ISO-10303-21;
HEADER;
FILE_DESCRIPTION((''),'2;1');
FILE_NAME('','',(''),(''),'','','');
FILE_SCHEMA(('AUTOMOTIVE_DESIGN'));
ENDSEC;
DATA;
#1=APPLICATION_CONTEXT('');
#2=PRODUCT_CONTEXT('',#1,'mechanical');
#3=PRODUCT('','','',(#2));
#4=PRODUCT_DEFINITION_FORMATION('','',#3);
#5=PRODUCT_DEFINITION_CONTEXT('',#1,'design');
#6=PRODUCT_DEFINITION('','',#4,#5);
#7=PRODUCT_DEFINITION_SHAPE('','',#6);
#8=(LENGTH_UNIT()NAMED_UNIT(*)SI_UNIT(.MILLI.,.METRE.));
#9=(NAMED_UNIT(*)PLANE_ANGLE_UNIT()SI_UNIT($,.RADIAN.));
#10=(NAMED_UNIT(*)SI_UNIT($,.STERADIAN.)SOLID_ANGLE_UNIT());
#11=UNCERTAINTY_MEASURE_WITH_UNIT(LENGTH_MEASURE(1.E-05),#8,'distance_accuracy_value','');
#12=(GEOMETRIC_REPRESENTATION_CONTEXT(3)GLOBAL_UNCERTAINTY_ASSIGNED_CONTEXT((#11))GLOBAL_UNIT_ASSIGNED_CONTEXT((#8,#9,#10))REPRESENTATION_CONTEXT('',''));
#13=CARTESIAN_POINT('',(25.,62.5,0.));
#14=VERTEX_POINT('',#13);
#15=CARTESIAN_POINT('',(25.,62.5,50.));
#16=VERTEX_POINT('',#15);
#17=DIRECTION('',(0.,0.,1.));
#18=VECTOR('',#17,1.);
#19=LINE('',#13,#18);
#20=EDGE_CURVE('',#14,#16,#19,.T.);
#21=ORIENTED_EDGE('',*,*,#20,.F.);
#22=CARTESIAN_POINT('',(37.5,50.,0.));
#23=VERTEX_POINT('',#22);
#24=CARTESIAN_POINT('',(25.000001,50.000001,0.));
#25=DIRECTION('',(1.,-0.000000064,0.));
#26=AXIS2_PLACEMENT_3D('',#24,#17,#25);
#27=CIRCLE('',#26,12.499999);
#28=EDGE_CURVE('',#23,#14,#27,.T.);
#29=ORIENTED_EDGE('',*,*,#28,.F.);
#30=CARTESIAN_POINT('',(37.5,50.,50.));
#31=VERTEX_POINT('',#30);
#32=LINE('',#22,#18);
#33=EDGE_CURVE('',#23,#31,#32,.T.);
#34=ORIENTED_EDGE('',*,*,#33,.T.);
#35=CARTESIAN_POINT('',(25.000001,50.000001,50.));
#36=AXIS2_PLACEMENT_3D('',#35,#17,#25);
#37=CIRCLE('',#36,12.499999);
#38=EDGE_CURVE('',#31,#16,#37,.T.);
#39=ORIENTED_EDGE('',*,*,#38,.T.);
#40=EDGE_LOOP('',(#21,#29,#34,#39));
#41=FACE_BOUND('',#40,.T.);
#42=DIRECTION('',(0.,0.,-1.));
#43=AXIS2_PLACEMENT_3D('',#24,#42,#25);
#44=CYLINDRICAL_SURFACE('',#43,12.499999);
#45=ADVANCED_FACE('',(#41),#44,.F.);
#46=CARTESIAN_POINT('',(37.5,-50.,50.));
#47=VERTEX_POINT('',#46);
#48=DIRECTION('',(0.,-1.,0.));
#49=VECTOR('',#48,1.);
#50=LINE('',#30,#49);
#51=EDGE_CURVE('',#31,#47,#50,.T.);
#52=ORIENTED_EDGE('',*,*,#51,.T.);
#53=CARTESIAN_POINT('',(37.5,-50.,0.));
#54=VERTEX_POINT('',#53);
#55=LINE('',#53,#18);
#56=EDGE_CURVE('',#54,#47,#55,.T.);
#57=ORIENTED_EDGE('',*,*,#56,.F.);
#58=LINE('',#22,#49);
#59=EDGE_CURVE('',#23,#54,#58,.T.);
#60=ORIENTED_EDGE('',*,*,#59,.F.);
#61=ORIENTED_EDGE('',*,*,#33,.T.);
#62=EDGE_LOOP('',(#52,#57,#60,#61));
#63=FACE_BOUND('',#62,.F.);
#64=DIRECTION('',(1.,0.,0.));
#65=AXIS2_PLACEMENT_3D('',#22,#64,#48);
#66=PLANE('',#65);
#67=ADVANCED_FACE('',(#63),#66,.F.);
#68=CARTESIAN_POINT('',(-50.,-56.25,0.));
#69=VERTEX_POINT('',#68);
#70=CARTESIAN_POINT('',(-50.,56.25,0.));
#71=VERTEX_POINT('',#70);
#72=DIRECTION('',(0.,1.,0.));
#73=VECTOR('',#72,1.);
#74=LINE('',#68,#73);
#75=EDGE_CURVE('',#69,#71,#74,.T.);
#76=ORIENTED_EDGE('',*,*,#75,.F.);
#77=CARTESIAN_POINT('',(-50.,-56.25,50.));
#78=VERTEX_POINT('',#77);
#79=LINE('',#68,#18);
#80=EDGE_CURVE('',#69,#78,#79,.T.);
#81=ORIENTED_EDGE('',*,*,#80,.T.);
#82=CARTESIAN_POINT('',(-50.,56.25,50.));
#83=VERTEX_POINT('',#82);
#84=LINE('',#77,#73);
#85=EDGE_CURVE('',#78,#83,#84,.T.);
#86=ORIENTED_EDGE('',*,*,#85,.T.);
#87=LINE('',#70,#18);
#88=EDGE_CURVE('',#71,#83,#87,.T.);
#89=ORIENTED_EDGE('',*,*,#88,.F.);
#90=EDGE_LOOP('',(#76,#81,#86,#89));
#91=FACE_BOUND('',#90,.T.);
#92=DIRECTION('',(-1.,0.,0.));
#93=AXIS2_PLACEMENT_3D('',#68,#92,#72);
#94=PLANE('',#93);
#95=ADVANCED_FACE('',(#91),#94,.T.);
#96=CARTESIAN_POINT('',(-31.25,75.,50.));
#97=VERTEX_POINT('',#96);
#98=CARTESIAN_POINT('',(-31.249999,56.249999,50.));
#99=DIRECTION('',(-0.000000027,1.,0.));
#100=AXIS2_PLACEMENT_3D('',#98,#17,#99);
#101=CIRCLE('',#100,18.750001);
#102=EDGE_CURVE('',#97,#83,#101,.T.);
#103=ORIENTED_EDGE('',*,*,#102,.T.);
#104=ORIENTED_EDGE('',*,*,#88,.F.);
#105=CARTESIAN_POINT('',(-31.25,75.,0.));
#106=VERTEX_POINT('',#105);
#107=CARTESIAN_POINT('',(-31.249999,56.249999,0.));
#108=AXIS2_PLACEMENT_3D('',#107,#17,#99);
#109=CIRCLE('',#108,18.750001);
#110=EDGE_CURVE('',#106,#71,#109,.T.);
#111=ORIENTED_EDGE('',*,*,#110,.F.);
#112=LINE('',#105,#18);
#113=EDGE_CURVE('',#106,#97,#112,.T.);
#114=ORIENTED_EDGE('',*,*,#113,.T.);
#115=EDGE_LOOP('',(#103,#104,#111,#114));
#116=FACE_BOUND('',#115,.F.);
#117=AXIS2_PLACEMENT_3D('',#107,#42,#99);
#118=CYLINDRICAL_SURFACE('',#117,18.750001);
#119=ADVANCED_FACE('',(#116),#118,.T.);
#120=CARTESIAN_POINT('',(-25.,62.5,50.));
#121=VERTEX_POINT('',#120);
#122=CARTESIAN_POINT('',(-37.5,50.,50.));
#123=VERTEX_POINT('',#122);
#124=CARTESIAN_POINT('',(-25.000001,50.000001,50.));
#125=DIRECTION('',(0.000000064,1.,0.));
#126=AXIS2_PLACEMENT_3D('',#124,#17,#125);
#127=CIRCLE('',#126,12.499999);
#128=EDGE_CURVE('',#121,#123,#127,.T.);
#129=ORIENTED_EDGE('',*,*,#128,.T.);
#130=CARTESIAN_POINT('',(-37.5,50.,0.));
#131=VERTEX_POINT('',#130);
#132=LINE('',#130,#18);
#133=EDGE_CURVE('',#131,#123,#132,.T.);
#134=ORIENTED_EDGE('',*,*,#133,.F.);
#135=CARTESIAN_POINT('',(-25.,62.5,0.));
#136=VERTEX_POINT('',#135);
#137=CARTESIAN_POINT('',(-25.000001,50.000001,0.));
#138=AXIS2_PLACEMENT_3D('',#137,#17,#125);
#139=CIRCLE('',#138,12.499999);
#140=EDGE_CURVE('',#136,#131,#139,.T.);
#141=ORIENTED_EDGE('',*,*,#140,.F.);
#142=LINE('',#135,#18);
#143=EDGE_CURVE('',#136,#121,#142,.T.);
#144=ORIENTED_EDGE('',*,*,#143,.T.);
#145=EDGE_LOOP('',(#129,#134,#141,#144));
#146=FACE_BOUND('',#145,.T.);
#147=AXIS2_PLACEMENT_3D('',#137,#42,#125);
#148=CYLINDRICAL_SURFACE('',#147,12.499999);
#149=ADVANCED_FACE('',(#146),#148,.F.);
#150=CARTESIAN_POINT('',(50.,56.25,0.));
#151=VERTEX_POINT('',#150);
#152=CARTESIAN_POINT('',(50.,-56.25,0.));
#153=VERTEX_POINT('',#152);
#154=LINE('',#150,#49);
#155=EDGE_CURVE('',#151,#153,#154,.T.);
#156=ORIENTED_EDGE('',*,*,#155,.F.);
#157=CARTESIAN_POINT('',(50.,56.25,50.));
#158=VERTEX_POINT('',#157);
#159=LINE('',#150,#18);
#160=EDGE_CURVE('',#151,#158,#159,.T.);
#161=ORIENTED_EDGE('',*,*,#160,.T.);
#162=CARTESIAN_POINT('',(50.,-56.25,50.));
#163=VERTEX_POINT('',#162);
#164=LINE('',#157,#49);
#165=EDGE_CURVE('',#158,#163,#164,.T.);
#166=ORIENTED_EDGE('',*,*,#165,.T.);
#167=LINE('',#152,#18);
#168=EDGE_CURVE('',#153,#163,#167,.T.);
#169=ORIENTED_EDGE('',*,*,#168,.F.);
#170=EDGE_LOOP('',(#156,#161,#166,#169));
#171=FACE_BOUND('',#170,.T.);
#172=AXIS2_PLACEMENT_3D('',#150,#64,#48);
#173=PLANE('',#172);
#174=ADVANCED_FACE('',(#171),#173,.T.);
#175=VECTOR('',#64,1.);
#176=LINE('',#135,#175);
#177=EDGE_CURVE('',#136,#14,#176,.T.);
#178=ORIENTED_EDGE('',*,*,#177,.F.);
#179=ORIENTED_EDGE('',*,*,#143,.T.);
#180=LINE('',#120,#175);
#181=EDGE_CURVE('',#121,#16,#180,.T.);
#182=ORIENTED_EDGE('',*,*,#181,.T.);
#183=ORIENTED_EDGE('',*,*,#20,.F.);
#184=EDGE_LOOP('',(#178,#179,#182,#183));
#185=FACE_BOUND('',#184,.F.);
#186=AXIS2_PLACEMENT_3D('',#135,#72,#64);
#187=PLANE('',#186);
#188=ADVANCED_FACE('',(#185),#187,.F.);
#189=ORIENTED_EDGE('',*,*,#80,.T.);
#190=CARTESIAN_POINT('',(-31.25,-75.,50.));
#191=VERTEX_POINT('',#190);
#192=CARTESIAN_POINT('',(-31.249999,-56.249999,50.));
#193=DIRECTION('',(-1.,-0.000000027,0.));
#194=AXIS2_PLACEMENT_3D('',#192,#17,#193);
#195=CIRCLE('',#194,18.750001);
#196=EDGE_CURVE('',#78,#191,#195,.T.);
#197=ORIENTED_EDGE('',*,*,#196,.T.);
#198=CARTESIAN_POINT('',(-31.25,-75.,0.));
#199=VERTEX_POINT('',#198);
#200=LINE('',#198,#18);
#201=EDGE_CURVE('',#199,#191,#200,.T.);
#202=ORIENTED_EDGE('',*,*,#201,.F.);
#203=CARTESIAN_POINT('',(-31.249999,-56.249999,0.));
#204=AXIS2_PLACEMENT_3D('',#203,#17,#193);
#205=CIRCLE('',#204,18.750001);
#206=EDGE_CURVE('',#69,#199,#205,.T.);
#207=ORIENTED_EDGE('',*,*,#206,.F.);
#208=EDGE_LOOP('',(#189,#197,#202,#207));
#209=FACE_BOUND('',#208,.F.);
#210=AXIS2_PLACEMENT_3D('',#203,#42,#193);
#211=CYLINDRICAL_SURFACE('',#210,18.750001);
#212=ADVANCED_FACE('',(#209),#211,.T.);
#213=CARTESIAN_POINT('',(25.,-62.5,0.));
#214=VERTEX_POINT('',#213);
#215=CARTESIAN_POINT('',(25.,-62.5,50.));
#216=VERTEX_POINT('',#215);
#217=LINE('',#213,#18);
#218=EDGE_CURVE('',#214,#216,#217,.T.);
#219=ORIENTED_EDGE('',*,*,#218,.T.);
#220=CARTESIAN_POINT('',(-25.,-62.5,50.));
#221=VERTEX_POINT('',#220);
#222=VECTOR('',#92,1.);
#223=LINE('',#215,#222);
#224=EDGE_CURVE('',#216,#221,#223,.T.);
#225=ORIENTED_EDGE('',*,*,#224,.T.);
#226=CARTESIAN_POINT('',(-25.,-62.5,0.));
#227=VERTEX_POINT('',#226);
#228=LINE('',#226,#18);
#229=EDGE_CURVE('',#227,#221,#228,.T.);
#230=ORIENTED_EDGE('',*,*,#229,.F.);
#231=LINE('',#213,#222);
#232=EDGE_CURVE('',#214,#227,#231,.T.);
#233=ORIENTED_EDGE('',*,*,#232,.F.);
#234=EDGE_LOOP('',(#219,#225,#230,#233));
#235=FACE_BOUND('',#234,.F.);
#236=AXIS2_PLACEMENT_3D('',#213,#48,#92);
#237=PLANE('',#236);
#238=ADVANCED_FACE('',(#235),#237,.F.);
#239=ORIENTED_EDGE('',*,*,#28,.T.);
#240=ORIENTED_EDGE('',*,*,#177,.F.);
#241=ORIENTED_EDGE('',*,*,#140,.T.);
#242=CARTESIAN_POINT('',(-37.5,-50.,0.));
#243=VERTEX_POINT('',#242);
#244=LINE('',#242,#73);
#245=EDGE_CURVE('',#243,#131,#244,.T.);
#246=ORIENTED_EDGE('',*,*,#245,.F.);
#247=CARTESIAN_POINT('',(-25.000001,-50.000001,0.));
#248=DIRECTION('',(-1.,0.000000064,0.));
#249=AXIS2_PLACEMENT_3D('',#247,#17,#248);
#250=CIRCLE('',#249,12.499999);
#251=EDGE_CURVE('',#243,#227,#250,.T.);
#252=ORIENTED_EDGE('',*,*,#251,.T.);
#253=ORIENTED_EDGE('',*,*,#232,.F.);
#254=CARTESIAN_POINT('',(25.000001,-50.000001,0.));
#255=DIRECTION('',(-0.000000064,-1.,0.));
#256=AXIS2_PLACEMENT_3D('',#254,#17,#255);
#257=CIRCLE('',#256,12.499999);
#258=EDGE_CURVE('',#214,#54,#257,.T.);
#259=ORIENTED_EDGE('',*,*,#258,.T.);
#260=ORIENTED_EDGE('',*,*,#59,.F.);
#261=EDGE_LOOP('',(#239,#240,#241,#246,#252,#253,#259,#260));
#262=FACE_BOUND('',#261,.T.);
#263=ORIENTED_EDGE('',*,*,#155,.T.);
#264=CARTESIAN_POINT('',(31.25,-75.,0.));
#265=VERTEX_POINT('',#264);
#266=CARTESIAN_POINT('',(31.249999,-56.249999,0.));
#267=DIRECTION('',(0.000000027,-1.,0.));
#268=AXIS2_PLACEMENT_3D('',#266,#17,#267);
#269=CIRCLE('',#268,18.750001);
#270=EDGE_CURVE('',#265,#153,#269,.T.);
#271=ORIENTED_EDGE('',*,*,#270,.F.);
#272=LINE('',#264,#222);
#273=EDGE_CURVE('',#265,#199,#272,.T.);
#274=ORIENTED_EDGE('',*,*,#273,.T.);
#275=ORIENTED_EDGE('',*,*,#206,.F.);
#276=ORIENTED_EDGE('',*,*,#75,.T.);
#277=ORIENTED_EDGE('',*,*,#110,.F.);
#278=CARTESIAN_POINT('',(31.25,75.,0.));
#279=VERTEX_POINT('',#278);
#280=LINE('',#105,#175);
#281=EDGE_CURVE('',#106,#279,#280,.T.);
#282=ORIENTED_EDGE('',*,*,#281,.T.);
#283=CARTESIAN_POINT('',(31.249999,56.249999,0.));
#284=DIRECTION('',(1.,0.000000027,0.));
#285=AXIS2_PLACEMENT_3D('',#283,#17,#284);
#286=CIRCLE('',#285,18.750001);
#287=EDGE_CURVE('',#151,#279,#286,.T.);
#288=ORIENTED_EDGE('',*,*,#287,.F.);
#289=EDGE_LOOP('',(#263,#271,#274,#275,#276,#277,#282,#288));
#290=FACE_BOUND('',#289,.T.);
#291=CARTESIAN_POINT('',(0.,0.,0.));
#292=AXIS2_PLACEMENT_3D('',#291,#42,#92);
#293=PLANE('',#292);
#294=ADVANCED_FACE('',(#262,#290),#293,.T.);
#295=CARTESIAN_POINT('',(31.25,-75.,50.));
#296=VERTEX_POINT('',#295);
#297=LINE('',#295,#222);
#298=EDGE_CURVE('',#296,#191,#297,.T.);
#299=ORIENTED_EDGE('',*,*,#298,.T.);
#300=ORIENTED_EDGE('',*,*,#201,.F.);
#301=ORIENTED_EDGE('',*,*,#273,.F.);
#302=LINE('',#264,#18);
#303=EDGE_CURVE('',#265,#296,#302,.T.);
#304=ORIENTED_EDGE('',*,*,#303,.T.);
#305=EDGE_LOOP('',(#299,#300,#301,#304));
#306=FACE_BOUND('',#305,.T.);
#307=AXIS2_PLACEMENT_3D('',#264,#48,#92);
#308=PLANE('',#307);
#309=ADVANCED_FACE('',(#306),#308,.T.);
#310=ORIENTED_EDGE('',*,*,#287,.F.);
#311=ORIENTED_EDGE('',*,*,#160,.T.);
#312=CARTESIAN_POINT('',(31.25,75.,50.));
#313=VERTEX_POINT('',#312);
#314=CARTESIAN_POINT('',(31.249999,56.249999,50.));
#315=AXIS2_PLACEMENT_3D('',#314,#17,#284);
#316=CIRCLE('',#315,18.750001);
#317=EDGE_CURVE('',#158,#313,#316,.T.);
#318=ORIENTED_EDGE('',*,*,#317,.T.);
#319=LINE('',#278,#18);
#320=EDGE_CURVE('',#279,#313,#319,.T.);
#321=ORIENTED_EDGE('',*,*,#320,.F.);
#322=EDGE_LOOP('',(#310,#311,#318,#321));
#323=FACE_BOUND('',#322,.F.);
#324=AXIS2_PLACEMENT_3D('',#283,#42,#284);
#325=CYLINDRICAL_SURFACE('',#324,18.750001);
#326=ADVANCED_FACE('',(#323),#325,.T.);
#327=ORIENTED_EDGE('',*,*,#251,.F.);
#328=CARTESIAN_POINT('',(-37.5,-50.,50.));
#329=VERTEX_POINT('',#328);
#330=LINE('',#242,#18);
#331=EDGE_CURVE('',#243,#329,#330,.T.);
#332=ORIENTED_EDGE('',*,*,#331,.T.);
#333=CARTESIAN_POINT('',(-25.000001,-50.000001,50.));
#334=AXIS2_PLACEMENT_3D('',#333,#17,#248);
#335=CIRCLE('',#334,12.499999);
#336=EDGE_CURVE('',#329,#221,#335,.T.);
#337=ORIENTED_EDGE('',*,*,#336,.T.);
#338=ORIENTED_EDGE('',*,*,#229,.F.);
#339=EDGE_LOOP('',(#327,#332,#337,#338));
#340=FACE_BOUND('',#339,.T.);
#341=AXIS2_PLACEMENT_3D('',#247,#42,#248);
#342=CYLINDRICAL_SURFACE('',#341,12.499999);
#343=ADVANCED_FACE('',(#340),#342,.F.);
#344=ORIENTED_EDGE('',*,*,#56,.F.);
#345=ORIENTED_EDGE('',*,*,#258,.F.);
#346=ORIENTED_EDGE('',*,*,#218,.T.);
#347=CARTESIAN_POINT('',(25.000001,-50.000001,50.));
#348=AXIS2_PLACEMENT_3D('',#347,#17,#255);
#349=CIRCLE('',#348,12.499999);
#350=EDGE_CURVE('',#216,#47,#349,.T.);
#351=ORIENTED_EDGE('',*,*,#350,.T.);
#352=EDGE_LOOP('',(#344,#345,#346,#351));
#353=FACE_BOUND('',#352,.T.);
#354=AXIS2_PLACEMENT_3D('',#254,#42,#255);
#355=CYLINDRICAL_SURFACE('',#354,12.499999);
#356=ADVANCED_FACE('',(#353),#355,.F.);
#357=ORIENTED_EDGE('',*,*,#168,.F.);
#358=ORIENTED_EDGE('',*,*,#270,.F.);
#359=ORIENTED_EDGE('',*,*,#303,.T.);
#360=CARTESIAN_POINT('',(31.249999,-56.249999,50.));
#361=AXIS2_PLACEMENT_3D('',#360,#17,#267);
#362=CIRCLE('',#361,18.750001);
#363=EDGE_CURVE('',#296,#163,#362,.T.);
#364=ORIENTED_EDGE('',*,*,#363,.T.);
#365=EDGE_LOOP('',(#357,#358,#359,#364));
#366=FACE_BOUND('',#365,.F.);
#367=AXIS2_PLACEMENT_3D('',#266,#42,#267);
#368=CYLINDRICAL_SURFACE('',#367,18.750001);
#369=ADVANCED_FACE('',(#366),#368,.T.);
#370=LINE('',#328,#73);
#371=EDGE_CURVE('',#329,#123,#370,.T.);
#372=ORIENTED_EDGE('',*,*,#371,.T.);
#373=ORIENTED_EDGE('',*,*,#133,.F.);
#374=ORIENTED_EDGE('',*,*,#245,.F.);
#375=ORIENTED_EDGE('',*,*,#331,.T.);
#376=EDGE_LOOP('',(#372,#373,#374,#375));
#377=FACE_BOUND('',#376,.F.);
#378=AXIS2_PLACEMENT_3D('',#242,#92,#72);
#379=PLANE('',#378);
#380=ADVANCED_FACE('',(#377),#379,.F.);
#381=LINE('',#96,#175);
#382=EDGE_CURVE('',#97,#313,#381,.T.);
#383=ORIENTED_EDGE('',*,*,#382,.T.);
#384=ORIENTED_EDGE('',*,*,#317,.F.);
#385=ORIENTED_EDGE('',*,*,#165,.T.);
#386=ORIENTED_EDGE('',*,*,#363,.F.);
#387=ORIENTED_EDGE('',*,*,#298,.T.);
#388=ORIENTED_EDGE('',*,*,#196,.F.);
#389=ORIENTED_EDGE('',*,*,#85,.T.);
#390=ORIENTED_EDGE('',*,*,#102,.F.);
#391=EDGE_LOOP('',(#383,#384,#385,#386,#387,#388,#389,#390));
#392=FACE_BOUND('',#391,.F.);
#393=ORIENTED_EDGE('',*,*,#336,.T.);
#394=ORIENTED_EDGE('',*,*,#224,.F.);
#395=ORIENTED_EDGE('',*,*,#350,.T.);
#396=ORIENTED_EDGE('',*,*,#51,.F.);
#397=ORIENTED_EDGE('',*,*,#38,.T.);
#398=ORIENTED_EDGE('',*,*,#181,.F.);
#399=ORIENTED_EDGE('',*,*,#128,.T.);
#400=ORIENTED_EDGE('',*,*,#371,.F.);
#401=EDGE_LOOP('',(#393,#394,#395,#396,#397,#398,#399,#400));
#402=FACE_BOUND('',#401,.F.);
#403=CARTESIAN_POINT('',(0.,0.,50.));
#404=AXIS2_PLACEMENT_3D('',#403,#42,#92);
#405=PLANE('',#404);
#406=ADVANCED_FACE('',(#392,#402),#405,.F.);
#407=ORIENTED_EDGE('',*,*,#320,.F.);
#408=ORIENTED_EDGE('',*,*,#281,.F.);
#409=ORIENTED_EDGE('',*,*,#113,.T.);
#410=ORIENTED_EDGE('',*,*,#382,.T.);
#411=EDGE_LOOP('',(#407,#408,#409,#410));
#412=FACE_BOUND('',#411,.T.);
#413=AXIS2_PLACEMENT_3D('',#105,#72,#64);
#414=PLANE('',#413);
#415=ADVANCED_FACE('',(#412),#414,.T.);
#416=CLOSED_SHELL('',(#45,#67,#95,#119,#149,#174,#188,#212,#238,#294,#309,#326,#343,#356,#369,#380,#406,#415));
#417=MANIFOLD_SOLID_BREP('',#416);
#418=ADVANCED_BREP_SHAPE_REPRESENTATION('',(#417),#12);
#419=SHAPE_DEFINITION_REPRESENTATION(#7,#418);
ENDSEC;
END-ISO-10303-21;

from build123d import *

# Parameters (mm, degrees)
EXTRUDE_DEPTH = 50


with BuildPart() as part:
    # Sketch → Extrude (new body)
    with BuildSketch(Plane.XY):
        with BuildLine():
            Line((-31.25, 75), (31.25, 75))
            ThreePointArc((50, 56.25), (44.508252, 69.508252), (31.25, 75))
            Line((50, 56.25), (50, -56.25))
            ThreePointArc((31.25, -75), (44.508252, -69.508252), (50, -56.25))
            Line((31.25, -75), (-31.25, -75))
            ThreePointArc((-50, -56.25), (-44.508252, -69.508252), (-31.25, -75))
            Line((-50, -56.25), (-50, 56.25))
            ThreePointArc((-31.25, 75), (-44.508252, 69.508252), (-50, 56.25))
        make_face()
        with BuildLine():
            Line((-25, 62.5), (25, 62.5))
            ThreePointArc((37.5, 50), (33.838835, 58.838835), (25, 62.5))
            Line((37.5, 50), (37.5, -50))
            ThreePointArc((25, -62.5), (33.838835, -58.838835), (37.5, -50))
            Line((25, -62.5), (-25, -62.5))
            ThreePointArc((-37.5, -50), (-33.838835, -58.838835), (-25, -62.5))
            Line((-37.5, -50), (-37.5, 50))
            ThreePointArc((-25, 62.5), (-33.838835, 58.838835), (-37.5, 50))
        make_face(mode=Mode.SUBTRACT)
    extrude(amount=EXTRUDE_DEPTH)


solid = part.part
